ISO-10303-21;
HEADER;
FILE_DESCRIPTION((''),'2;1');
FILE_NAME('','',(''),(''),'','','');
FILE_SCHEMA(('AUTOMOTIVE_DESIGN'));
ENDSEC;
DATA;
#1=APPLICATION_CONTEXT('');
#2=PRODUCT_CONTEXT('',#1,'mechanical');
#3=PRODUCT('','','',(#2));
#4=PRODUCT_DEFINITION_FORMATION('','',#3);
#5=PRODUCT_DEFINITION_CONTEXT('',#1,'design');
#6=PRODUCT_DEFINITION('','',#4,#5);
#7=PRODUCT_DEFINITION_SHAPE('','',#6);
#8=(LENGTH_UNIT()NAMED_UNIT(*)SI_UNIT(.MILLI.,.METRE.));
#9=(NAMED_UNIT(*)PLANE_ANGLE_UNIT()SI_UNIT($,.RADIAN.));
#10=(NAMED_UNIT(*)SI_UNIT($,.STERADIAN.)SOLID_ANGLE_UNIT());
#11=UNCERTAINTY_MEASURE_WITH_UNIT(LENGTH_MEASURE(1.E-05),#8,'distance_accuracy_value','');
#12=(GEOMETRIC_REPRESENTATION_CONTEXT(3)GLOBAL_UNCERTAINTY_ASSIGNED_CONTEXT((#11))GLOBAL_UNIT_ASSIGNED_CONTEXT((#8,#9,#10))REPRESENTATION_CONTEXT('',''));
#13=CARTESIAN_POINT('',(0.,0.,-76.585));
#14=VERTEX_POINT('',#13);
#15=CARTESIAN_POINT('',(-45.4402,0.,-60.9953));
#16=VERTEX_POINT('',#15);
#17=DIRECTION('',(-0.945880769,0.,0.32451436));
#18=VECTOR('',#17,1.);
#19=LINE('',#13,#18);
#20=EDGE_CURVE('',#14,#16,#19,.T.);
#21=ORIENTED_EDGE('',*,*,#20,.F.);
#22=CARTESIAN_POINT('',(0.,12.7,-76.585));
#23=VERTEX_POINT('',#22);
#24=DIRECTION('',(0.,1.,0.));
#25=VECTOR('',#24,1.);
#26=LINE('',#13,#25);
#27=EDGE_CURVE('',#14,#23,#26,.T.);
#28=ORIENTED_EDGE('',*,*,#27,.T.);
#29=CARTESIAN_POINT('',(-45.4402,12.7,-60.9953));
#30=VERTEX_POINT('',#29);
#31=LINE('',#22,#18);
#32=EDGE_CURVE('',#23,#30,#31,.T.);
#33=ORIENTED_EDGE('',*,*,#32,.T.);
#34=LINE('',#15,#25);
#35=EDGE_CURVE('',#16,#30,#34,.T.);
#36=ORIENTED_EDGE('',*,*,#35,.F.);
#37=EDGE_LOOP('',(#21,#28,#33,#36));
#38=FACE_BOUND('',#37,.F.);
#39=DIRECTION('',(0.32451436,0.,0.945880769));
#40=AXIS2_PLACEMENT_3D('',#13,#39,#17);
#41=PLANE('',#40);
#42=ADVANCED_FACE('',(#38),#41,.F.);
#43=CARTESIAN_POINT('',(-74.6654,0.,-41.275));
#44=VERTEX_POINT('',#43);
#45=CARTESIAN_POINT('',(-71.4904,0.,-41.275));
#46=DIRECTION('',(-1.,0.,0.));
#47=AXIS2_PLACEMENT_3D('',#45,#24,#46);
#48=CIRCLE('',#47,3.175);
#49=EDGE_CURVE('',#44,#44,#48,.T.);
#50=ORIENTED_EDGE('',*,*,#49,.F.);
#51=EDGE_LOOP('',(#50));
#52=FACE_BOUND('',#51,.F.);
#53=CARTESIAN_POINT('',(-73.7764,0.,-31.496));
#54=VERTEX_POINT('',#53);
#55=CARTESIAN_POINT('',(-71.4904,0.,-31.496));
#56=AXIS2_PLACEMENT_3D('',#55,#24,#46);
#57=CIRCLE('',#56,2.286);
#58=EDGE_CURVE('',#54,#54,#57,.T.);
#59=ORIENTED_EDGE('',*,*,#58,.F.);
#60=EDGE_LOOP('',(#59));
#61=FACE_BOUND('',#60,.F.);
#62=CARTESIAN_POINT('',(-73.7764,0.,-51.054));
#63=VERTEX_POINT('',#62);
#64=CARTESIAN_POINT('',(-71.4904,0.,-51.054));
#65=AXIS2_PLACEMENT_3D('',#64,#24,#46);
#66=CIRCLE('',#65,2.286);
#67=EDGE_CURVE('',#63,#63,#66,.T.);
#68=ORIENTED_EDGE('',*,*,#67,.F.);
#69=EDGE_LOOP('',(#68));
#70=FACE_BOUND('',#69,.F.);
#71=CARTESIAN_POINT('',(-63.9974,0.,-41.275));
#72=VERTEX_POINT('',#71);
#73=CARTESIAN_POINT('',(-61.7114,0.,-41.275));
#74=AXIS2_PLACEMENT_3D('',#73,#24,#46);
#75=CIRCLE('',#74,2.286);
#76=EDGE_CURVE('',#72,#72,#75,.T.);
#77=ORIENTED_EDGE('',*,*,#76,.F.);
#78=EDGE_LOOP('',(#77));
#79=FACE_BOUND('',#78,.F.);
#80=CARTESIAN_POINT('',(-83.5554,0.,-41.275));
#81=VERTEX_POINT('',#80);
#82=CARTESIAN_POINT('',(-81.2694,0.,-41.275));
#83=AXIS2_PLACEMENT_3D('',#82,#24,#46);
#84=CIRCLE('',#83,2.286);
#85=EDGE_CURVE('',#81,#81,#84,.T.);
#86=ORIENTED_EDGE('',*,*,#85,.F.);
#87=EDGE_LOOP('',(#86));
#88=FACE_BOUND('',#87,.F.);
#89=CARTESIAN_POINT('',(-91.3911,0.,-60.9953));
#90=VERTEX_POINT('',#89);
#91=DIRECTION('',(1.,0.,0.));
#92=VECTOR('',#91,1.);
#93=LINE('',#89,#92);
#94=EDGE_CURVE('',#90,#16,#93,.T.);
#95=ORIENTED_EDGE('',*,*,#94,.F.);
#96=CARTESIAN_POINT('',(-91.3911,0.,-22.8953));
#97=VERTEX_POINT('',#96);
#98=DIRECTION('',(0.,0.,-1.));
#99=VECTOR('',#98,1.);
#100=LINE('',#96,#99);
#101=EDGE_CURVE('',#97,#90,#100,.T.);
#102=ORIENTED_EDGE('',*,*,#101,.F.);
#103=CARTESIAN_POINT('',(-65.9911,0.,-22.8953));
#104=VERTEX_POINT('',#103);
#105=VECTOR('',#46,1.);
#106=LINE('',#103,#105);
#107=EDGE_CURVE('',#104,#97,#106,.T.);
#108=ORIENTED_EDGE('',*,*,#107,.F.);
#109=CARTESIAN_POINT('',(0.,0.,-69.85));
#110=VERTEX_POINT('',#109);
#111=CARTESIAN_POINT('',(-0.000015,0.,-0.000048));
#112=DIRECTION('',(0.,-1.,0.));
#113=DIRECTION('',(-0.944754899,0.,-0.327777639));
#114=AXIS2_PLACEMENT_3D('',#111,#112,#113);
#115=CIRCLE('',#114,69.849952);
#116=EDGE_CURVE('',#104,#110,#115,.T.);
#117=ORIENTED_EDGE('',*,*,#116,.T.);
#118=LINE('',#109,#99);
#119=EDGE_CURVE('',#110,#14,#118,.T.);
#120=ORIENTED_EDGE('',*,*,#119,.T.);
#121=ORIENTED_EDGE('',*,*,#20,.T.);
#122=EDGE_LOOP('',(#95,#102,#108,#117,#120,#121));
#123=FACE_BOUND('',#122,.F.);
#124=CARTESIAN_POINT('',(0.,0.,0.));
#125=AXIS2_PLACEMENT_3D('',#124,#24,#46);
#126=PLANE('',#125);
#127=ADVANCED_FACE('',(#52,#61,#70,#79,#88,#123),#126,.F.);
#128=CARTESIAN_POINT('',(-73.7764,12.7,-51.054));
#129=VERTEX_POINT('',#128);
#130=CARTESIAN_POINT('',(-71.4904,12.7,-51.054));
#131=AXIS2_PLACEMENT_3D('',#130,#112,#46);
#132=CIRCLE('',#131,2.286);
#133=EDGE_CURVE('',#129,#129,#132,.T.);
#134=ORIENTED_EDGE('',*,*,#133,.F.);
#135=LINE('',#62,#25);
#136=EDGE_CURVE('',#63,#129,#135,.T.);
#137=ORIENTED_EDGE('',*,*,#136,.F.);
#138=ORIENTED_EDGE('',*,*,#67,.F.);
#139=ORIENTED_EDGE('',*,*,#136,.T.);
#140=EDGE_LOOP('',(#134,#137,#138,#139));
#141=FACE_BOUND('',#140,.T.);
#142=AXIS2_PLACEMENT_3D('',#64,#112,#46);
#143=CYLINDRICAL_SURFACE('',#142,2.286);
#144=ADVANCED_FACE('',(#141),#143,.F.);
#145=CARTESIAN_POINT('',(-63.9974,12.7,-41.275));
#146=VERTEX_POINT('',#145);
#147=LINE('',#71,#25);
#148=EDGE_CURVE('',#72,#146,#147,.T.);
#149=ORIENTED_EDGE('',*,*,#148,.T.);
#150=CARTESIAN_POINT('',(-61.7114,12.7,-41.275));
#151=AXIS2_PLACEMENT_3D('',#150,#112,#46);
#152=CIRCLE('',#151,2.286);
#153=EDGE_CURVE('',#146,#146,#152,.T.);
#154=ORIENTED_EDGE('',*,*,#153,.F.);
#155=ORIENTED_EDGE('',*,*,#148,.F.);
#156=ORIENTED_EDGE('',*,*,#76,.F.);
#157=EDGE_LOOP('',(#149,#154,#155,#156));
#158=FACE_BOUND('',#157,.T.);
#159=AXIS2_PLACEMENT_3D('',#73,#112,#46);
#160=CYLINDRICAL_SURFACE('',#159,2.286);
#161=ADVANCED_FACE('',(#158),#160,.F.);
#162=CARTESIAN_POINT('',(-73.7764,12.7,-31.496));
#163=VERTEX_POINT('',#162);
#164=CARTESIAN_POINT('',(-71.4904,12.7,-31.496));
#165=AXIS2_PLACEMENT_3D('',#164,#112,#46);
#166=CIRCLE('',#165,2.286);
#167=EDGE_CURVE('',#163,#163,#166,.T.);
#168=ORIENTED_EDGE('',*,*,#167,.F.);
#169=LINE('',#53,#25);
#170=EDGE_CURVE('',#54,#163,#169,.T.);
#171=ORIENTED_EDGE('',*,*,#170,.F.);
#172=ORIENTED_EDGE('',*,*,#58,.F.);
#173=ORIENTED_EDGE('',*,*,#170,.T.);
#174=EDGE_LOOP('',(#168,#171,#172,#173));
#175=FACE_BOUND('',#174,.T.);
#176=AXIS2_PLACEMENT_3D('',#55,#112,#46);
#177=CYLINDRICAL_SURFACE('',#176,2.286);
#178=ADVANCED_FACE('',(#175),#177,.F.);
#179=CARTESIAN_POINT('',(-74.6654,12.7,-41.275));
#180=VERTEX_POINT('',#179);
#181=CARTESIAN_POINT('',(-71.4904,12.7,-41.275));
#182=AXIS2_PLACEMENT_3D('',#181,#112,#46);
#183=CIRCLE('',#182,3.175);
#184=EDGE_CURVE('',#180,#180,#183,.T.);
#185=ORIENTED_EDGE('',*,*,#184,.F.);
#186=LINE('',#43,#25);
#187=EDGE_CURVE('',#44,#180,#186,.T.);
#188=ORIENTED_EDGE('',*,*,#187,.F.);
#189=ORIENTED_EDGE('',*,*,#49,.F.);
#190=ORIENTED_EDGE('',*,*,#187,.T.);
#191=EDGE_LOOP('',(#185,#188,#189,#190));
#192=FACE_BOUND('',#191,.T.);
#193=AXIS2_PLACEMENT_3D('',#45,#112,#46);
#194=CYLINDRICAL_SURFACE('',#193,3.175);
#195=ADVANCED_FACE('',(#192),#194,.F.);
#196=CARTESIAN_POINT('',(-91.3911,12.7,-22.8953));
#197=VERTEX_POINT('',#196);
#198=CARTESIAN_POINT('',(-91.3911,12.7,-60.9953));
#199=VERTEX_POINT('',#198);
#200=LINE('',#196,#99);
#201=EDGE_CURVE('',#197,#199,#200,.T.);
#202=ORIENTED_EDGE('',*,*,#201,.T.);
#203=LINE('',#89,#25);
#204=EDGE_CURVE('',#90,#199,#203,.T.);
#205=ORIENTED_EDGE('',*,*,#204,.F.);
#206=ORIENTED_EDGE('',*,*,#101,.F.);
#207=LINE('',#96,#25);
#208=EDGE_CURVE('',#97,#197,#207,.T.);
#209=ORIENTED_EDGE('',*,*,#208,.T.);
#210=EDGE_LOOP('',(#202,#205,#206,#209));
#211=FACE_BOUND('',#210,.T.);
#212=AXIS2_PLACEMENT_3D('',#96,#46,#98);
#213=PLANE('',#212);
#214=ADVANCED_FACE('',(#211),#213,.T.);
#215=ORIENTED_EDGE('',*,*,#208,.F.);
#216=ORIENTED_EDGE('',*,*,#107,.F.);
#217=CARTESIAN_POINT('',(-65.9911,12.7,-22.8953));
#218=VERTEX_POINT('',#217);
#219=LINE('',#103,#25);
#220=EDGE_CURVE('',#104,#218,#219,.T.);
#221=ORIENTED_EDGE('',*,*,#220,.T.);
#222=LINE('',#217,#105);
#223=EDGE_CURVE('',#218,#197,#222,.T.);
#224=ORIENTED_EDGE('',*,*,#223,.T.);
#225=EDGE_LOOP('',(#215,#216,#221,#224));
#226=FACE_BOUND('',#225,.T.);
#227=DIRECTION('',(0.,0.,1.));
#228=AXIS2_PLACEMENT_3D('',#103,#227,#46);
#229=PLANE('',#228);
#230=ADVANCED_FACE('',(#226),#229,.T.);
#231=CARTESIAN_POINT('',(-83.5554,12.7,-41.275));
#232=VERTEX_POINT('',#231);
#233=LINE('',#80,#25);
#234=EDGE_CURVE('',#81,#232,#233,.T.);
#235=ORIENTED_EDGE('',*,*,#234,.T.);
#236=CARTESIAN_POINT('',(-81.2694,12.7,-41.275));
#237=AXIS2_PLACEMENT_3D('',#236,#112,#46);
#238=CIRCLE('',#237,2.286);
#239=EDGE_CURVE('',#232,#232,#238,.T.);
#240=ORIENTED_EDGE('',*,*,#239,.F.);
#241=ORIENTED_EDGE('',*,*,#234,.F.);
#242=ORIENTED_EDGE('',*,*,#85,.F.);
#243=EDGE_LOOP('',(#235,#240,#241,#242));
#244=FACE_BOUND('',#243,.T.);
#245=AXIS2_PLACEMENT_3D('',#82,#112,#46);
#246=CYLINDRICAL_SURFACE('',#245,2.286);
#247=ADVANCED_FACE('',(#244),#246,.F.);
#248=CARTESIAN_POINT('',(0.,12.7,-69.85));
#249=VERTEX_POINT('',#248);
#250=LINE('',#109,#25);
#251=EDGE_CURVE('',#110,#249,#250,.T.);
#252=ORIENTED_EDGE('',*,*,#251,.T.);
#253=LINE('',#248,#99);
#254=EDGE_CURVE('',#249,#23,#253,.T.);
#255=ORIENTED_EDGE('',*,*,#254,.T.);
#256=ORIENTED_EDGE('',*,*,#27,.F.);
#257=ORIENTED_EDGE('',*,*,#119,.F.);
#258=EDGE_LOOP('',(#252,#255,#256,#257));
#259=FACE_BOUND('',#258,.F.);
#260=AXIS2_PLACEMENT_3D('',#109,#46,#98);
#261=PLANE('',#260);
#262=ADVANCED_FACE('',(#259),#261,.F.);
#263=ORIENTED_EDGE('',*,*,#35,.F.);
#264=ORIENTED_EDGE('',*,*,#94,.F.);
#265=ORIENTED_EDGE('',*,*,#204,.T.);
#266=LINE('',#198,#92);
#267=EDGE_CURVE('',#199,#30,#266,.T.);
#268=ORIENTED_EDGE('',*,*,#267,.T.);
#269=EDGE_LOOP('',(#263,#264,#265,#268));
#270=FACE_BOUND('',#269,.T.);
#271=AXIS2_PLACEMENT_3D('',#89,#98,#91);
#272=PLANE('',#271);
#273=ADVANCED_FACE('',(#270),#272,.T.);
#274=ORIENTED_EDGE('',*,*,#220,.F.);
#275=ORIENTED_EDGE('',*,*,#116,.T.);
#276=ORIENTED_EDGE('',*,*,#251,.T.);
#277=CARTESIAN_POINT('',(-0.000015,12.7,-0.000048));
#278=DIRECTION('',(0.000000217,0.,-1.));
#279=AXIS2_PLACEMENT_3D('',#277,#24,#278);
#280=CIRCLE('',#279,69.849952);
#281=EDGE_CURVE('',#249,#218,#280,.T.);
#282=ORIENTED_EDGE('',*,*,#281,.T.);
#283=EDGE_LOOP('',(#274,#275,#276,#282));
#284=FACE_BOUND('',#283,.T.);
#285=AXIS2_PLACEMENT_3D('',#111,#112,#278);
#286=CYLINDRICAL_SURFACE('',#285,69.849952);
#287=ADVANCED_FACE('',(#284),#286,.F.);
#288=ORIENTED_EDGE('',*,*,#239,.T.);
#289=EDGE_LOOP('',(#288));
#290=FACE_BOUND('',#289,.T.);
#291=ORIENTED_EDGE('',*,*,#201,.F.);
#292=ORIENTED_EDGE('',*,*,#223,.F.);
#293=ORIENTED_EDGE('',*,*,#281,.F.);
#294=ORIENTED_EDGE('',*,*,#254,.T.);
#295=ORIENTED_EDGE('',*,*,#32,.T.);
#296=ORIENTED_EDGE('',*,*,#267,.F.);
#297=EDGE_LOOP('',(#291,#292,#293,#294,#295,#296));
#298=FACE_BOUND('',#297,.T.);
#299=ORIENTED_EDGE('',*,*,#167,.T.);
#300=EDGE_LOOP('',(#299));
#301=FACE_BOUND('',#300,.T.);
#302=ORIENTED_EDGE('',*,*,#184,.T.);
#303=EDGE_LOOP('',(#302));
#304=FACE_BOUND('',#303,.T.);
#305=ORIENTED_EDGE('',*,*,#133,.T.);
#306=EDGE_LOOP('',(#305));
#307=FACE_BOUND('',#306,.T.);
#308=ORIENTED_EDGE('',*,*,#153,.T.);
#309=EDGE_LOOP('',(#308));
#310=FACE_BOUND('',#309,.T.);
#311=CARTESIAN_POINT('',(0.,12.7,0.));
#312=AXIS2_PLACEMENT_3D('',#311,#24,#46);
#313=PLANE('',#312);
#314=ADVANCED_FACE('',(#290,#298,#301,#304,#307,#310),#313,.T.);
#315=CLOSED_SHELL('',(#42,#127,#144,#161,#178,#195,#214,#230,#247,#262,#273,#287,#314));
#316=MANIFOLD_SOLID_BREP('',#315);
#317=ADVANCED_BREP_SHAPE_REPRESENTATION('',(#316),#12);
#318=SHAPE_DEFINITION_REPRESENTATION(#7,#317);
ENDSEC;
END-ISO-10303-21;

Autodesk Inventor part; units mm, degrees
ref_plane "YZ Plane" through (0, 0, 0) normal (1, 0, 0) x (0, 1, 0)
ref_plane "XZ Plane" through (0, 0, 0) normal (0, 1, 0) x (-1, 0, 0)
ref_plane "XY Plane" through (0, 0, 0) normal (0, 0, 1) x (1, 0, 0)
sketch "Sketch1" plane through (0, 0, 0) normal (0, 1, 0) x (-1, 0, 0)
  arc A0 (0, -69.85) -> (65.9911, -22.8953) centre (0, 0) ccw
  line L0 (0, 0) -> (60.4919, -34.925)
  line L1 (0, 0) -> (69.85, 0) construction
  line L2 (60.4919, -34.925) -> (82.4889, -47.625)
  line L3 (60.4919, -34.925) -> (71.4904, -41.275)
  line L4 (60.4919, -34.925) -> (60.4919, -47.625)
  line L5 (60.4919, -47.625) -> (82.4889, -47.625)
  line L6 (60.4919, -34.925) -> (82.4889, -34.925)
  line L7 (82.4889, -34.925) -> (82.4889, -47.625)
  line L8 (82.4889, -34.925) -> (60.4919, -47.625)
  circle A1 centre (71.4904, -41.275) radius 9.779
  circle A2 centre (71.4904, -41.275) radius 3.175
  circle A3 centre (71.4904, -51.054) radius 2.286
  circle A4 centre (71.4904, -31.496) radius 2.286
  circle A5 centre (81.2694, -41.275) radius 2.286
  circle A6 centre (61.7114, -41.275) radius 2.286
  line L9 (65.9911, -22.8953) -> (91.3911, -22.8953)
  line L10 (91.3911, -22.8953) -> (91.3911, -60.9953)
  line L11 (91.3911, -60.9953) -> (33.2947, -60.9953)
  line L12 (0, 0) -> (0, -69.85)
  line L13 (0, 0) -> (65.9911, -22.8953)
  line L14 (0, -69.85) -> (0, -76.585)
  line L15 (0, -76.585) -> (45.4402, -60.9953)
  dimension "d0" = 139.7
  dimension "d1" = 30
  dimension "d2" = 25.4
  dimension "d3" = 19.558
  dimension "d4" = 6.35
  dimension "d5" = 4.572
  dimension "d6" = 4.572
  dimension "d7" = 4.572
  dimension "d8" = 4.572
  dimension "d9" = 25.4
  dimension "d10" = 38.1
extrude "Extrusion1" add sketch "Sketch1" along normal blind 12.7 contours A0 L9 L10 L11 | L6 A1 L2 | L2 A1 A6 L4 | L11 L15 L14 A0 | A1 L6 L8 A2 L2 | L2 A2 L8 A1 A6 | A1 A4 L6 | A6 A1 L8 L4 | L6 L8 A1 | L8 A1 A5 L2 A2 | A2 L2 A1 L5 L8 | L8 A1 L5 | L7 A5 A1 L8 | L5 A1 A3 | A1 A5 L7 L2 | L2 L5 A1
properties part number "NewShooterFlicker"
